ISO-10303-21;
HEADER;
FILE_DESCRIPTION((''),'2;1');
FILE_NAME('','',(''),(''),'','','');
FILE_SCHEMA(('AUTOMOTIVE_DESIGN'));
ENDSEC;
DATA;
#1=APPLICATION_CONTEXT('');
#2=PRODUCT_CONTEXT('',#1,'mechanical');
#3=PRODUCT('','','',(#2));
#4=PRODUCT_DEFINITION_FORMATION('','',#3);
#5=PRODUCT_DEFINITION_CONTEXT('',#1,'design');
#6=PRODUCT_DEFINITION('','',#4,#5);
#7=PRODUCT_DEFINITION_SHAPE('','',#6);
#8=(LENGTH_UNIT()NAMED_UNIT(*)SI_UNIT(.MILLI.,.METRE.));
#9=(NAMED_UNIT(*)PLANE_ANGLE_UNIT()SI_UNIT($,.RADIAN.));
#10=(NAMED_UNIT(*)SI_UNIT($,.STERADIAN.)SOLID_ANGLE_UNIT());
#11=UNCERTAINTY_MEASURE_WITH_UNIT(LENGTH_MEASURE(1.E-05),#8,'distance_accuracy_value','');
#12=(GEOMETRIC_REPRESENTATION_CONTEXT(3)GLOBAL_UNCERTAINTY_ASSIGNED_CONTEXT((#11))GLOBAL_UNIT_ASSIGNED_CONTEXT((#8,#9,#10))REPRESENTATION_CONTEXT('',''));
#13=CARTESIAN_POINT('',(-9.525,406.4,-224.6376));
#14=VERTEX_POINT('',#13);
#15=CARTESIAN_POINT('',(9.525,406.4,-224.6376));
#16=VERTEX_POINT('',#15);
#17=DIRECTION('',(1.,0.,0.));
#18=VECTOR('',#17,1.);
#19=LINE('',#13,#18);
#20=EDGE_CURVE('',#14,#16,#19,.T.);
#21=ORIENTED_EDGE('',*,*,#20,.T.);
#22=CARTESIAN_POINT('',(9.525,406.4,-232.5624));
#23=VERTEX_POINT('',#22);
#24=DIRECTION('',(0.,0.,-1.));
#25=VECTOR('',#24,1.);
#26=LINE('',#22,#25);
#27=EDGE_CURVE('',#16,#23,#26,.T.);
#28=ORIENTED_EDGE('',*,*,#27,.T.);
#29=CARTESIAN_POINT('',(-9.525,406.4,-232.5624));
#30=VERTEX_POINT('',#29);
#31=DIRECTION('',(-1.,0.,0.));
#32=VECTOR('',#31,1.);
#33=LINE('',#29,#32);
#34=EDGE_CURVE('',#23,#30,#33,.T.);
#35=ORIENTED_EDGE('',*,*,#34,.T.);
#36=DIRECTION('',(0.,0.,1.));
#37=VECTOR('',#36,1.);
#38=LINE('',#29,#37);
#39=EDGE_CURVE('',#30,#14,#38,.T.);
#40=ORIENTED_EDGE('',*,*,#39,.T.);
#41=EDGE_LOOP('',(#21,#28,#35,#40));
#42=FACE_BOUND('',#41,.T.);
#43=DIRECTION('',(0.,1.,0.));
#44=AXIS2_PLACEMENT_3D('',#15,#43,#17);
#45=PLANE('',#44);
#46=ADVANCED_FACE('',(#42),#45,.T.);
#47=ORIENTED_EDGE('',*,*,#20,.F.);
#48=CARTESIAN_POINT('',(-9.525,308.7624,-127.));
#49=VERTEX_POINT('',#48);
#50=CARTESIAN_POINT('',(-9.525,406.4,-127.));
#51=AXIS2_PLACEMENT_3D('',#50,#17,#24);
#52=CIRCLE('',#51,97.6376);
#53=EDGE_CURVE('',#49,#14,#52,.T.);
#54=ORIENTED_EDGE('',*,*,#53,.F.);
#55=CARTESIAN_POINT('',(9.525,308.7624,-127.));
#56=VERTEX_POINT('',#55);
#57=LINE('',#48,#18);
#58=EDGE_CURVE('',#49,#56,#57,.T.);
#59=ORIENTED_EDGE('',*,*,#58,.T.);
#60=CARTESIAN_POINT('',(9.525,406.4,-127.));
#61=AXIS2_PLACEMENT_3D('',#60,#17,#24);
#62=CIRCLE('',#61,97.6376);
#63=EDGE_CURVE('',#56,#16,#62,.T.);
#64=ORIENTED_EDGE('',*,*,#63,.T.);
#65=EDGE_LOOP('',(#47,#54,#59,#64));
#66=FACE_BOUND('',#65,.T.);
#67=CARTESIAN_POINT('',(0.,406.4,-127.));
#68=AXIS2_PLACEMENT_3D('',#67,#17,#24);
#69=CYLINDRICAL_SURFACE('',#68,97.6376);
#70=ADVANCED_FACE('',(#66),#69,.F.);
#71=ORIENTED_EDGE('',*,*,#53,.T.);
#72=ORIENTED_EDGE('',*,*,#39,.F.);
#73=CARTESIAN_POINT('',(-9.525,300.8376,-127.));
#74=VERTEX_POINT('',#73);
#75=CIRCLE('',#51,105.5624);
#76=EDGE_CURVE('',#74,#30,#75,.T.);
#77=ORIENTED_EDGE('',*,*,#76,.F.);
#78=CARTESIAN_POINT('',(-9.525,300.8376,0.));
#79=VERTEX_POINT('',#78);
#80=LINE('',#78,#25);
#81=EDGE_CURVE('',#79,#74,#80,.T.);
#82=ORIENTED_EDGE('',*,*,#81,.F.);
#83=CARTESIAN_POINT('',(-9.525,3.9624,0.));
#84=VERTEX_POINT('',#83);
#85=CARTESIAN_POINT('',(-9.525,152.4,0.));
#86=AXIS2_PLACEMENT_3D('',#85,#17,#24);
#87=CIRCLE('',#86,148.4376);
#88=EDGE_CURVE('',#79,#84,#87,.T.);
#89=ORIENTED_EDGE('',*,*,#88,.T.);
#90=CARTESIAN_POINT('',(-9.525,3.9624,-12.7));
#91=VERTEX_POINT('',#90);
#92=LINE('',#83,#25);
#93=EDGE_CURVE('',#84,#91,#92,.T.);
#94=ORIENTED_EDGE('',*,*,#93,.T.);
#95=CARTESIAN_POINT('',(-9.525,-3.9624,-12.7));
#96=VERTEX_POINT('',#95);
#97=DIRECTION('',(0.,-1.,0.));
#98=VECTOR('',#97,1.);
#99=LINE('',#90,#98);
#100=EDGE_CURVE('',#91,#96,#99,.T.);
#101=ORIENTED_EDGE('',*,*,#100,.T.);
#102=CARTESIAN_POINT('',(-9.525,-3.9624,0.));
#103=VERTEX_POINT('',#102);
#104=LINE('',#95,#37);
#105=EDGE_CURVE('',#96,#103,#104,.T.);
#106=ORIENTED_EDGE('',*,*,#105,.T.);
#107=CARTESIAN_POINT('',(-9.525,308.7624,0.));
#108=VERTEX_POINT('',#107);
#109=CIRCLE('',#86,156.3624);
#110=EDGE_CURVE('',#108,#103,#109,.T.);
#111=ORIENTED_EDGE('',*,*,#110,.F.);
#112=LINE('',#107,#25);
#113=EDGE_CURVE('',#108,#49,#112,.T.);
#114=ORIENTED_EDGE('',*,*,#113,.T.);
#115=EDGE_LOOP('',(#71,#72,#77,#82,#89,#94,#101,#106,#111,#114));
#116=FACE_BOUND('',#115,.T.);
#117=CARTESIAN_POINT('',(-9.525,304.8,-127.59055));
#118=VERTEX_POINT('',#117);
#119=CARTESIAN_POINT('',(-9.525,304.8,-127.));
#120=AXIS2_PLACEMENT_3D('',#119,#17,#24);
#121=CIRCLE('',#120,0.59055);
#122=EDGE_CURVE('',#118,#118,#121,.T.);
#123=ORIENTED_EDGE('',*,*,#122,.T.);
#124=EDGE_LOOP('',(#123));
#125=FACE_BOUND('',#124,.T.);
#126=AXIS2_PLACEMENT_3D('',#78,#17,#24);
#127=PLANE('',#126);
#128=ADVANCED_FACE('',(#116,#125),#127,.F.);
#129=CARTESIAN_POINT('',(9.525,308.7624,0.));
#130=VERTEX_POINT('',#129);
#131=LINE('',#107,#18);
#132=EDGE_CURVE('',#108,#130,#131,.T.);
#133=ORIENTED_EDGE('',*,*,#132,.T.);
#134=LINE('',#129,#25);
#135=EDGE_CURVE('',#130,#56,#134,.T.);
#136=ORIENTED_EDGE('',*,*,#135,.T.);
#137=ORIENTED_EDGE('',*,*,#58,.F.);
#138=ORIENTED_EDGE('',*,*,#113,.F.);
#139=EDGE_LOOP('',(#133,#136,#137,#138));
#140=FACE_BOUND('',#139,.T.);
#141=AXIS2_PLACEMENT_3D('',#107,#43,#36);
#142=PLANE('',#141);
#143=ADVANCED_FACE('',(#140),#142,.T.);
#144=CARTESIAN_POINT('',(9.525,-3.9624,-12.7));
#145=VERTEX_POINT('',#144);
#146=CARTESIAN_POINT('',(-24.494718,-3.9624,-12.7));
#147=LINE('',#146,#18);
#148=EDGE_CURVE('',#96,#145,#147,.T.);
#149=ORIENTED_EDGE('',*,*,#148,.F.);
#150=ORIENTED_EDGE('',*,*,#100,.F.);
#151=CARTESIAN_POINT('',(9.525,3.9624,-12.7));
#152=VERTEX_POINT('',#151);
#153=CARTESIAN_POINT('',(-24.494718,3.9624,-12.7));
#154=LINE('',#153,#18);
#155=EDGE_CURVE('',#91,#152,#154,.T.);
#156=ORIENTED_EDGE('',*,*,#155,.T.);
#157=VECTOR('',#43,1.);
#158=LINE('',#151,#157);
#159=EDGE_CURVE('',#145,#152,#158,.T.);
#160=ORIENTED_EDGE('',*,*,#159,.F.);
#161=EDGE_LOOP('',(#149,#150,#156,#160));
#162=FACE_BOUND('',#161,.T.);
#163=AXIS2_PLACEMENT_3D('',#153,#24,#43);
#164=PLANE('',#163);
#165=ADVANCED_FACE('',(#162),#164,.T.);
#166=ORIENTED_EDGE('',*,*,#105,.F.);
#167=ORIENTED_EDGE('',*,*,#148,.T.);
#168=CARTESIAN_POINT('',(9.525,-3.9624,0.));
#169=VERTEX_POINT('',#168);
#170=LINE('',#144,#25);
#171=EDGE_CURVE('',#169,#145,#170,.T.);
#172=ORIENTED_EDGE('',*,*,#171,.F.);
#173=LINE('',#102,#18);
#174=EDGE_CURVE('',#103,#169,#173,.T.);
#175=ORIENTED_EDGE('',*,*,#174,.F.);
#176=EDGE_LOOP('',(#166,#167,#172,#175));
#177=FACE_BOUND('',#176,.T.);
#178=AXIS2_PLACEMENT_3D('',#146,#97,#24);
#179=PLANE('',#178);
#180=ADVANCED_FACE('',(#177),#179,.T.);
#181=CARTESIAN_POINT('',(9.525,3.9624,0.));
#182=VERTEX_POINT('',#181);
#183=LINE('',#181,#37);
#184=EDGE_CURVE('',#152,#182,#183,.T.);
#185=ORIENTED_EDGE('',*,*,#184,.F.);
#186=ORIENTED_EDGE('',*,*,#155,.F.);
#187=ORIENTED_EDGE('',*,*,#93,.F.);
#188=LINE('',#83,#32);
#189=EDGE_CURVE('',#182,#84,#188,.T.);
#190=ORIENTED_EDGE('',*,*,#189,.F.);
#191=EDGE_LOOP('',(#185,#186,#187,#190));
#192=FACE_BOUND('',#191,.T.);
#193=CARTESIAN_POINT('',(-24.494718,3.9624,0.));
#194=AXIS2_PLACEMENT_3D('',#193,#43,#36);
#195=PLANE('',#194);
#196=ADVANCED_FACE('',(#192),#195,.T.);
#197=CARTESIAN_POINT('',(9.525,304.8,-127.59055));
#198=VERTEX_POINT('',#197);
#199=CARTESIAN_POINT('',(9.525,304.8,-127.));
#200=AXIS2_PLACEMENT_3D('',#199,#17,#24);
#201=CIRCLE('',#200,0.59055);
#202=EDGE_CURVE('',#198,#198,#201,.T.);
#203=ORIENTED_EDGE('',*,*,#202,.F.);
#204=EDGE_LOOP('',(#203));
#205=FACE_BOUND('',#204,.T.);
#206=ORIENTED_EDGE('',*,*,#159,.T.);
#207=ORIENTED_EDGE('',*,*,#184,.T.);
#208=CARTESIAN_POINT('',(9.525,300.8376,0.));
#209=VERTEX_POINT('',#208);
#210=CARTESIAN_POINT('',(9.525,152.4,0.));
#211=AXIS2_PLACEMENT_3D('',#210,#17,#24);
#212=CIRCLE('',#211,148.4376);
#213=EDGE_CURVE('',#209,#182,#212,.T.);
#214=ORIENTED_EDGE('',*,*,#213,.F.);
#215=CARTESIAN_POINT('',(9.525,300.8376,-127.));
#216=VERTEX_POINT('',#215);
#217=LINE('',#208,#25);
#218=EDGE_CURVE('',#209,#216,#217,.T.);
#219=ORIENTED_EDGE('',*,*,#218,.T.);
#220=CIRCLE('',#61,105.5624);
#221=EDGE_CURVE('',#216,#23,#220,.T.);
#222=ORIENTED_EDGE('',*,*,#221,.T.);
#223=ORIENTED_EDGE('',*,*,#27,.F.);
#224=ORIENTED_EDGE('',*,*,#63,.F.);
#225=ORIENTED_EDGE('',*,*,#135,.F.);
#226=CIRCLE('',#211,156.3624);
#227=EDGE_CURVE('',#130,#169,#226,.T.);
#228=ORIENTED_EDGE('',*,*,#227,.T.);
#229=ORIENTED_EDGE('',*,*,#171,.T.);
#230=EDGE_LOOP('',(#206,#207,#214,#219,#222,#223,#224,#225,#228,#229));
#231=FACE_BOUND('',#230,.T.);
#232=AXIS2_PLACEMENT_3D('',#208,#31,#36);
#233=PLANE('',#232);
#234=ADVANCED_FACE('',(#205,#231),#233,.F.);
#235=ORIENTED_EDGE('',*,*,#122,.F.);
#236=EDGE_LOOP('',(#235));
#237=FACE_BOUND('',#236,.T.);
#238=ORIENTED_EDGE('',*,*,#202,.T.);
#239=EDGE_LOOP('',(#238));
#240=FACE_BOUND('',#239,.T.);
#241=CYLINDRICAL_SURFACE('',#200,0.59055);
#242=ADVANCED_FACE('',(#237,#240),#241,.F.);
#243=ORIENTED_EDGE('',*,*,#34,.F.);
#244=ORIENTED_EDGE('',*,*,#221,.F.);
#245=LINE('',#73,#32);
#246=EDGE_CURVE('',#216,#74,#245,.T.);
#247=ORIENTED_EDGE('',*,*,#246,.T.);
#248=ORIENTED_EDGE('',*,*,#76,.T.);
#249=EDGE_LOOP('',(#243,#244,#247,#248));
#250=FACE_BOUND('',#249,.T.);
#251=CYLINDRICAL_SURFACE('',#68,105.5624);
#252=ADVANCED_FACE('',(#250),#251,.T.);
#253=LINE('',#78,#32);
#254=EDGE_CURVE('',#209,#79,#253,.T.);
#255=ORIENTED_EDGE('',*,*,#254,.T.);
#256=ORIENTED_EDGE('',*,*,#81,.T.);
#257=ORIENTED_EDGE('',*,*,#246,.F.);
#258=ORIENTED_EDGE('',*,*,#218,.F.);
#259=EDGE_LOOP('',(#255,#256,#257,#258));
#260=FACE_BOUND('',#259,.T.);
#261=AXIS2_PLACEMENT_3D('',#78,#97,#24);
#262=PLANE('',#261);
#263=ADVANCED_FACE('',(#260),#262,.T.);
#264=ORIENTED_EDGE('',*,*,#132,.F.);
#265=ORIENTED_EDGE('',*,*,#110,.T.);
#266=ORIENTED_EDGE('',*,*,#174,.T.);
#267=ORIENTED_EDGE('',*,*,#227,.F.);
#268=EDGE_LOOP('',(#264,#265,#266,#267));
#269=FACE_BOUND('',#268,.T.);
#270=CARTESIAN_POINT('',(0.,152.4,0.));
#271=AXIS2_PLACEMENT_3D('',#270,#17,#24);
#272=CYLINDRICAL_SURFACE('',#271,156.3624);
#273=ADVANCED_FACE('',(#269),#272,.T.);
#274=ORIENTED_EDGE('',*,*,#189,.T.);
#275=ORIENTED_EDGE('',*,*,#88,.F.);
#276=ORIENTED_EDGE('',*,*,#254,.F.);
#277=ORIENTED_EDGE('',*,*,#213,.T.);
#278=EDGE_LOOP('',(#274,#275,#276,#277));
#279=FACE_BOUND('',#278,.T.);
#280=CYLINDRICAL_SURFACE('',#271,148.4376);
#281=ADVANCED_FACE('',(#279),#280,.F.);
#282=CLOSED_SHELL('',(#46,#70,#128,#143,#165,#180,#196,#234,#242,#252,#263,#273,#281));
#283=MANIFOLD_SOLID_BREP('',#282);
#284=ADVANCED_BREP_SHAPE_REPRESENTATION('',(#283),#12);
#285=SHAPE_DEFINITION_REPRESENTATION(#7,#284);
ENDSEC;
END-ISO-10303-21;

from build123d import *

# Parameters (mm, degrees)
SKETCH1_W                    = 19.05
SKETCH1_H                    = 7.9248
SKETCH3_W                    = 12.7
SKETCH3_H                    = 7.9248
BOSS_EXTRUDE1_DEPTH          = 19.05
F_56_0_0465_DIAMETER_HOLE1_D = 1.1811


with BuildPart() as part:
    # Sweep1: sweep along a path in Sketch2
    with BuildLine(Plane(origin=(0, 0, 0), x_dir=(0, 0, -1), z_dir=(1, 0, 0))) as sweep1_path:
        ThreePointArc((0, 0), (-152.4, 152.4), (0, 304.8))
        Line((0, 304.8), (127, 304.8))
        ThreePointArc((127, 304.8), (198.842048969, 334.557951031), (228.6, 406.4))
    # Sketch1 → Sweep1 (sweep)
    with BuildSketch(Plane.XY):
        Rectangle(SKETCH1_W, SKETCH1_H)
    sweep(path=sweep1_path.line)

    # Sketch3 → Boss-Extrude1 (add)
    with BuildSketch(Plane(origin=(9.525, 0, 0), x_dir=(0, 0, -1), z_dir=(1, 0, 0))):
        with Locations((6.35, 0)):
            Rectangle(SKETCH3_W, SKETCH3_H)
    extrude(amount=-BOSS_EXTRUDE1_DEPTH)

    # #56 (0.0465) Diameter Hole1 (through all)
    with Locations(Plane(origin=(9.525, 0, 0), x_dir=(0, 0, -1), z_dir=(1, 0, 0))):
        with Locations((127, 304.8)):
            Hole(F_56_0_0465_DIAMETER_HOLE1_D / 2)


solid = part.part
